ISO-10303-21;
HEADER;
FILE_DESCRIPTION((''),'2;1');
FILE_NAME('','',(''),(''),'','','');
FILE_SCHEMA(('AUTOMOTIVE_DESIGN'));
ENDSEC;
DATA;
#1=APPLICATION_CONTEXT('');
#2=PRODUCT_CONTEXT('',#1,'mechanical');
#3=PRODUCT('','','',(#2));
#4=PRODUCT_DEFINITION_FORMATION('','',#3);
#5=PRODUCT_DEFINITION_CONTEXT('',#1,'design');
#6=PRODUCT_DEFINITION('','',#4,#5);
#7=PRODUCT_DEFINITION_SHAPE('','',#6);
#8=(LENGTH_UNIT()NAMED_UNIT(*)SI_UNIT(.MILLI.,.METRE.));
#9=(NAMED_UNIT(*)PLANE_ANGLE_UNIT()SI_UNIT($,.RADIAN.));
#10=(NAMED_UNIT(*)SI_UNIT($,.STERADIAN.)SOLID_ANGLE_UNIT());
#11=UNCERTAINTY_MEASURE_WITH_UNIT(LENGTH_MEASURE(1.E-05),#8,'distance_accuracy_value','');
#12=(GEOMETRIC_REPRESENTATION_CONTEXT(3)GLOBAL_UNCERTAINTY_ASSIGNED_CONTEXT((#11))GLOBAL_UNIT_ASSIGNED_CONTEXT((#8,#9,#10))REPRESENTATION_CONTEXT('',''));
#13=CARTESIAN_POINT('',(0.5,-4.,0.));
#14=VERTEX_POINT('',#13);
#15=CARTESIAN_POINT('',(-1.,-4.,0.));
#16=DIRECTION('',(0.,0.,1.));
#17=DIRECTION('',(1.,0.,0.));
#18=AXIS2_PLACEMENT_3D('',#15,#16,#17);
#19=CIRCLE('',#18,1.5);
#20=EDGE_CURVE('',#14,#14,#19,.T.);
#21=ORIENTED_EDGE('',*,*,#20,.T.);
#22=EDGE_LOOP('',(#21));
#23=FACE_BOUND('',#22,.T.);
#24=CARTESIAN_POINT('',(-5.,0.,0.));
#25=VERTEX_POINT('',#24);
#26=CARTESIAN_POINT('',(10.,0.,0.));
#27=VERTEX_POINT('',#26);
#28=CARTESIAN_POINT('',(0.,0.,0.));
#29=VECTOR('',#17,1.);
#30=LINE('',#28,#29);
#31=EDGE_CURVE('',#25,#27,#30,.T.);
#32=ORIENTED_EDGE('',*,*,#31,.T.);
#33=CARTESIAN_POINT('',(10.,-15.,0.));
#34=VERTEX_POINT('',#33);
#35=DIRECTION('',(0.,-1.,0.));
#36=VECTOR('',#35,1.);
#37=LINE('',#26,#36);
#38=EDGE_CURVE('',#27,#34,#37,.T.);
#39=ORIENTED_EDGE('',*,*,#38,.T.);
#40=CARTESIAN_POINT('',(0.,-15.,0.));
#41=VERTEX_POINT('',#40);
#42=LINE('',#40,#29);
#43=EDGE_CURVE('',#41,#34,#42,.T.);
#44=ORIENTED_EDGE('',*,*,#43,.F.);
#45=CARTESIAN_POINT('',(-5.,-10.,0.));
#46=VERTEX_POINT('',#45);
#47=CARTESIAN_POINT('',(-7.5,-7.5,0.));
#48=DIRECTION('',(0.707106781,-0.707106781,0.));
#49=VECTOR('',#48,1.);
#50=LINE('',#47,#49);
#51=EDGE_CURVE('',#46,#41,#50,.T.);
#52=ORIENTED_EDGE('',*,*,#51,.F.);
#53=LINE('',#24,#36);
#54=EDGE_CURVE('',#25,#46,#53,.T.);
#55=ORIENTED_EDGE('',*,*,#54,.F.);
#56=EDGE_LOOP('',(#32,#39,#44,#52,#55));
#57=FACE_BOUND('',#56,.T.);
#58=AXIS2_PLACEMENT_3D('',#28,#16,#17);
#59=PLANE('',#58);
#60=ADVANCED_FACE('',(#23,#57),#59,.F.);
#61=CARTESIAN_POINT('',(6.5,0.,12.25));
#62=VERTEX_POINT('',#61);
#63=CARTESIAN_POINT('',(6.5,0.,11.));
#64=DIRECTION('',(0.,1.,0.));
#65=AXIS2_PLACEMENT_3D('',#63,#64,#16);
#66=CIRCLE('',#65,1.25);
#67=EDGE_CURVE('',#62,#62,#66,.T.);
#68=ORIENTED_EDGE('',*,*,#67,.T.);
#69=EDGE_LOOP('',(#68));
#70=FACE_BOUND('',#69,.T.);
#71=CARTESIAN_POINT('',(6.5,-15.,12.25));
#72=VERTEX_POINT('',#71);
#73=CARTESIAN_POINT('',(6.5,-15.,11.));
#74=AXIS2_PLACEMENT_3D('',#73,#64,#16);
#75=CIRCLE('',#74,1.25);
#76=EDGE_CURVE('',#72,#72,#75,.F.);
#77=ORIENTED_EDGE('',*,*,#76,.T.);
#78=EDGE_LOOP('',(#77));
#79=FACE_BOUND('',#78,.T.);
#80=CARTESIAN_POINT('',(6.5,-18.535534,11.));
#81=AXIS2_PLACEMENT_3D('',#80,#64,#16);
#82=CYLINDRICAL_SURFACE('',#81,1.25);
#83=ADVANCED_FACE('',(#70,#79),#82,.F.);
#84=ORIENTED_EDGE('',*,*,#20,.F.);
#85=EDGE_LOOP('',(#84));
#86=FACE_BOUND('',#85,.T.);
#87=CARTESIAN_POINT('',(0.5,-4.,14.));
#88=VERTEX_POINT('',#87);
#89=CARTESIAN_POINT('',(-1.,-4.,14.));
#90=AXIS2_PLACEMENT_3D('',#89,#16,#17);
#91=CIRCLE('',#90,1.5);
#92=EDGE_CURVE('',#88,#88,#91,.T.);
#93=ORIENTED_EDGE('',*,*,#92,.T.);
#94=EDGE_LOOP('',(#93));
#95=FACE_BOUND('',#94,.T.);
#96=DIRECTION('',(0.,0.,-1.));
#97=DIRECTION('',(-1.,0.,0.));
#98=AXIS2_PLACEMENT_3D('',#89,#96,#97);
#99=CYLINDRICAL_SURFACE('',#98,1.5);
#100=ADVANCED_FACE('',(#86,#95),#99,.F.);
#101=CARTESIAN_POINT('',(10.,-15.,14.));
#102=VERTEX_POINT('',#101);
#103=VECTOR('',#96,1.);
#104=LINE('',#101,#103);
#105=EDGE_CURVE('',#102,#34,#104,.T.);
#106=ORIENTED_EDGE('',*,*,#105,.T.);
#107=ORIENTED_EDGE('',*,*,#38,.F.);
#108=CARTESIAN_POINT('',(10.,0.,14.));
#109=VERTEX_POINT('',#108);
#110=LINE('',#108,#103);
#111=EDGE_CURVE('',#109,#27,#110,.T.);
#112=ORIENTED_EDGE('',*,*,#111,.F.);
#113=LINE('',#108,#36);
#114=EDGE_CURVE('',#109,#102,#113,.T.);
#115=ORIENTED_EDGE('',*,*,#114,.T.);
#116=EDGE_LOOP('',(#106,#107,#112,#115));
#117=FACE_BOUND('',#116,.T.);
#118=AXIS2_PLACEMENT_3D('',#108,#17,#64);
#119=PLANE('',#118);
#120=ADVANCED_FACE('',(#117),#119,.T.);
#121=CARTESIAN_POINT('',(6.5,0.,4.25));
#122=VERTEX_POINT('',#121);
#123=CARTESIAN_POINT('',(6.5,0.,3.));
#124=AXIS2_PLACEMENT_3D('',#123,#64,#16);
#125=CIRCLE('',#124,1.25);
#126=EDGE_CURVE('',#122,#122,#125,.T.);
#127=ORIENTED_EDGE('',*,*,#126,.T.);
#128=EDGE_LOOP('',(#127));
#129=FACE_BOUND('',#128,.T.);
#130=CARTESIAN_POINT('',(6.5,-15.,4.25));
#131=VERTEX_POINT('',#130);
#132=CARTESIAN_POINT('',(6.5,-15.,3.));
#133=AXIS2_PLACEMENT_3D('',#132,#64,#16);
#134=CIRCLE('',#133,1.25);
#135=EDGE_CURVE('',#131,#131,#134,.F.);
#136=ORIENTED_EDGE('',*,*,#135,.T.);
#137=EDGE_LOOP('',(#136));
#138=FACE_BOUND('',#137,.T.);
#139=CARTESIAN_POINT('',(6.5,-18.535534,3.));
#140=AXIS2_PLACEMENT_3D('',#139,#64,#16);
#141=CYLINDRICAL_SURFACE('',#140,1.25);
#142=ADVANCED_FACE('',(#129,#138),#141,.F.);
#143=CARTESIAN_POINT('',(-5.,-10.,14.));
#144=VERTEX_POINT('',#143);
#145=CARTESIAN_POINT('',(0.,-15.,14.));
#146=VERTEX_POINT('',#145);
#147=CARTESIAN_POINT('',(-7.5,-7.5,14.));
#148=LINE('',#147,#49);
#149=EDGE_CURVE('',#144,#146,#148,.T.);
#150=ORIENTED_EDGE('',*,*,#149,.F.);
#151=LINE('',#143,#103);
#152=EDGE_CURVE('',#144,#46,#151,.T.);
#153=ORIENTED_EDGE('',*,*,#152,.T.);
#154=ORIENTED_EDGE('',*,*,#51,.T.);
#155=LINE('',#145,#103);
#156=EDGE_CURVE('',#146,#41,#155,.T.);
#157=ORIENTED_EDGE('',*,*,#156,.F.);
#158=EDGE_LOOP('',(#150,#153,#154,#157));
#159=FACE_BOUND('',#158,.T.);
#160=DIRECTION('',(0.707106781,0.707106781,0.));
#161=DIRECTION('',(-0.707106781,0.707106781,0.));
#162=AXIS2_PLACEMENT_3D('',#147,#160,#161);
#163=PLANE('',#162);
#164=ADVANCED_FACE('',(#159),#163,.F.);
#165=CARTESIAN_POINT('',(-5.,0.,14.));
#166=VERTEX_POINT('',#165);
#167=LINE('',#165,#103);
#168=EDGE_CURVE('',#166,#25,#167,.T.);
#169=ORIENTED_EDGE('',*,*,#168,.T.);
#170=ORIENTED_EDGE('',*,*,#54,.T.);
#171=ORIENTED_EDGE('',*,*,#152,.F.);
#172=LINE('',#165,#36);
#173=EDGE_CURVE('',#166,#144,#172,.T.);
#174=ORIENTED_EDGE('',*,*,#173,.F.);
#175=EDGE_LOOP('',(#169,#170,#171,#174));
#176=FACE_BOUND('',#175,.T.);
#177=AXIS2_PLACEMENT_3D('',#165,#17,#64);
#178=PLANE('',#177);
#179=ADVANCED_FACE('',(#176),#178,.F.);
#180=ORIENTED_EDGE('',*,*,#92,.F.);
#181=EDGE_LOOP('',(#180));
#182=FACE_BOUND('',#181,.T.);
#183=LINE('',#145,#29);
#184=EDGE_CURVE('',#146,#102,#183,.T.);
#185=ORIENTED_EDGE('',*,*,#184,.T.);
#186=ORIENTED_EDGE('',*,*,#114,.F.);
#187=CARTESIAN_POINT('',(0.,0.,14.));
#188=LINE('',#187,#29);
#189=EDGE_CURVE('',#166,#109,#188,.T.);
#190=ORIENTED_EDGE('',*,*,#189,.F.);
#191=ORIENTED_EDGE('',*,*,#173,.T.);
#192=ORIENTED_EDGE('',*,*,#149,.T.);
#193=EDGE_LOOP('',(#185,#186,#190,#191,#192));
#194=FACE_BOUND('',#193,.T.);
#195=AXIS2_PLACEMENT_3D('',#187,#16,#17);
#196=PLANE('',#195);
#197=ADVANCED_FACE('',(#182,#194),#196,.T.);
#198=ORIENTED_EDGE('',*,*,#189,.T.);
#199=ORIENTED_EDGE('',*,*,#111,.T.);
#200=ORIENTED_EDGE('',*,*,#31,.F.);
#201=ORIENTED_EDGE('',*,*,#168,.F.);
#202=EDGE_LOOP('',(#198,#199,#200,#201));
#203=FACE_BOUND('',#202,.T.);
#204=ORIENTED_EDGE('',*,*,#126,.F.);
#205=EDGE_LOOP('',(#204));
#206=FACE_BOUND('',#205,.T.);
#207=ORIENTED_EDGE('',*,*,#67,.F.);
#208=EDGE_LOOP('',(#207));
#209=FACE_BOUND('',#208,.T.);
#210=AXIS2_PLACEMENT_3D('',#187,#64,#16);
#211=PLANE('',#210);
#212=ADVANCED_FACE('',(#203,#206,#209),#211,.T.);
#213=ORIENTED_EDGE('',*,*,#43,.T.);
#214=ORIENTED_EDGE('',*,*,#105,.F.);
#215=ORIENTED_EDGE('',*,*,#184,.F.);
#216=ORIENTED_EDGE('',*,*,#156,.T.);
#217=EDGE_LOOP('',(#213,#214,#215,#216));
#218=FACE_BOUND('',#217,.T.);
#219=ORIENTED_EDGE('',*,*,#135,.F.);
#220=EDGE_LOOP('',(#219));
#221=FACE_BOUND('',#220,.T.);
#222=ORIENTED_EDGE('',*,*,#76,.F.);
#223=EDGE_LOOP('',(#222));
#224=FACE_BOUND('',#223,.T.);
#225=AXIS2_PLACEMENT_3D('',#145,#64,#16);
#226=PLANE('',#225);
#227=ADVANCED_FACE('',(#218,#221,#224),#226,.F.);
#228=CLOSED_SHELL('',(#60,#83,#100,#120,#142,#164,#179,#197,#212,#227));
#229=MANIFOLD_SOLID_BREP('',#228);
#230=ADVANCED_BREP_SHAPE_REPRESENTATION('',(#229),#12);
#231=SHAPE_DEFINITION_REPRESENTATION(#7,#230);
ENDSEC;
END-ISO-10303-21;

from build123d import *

# Parameters (mm, degrees)
SKETCH_1_R          = 1.5
EXTRUDE_1_DEPTH     = 14
SKETCH_2_R          = 1.25
CUT_EXTRUDE_1_DEPTH = 15


with BuildPart() as part:
    # 草图1 → 凸台-拉伸1 (new body)
    with BuildSketch(Plane.XY):
        Polygon((-5, -10), (0, -15), (10, -15), (10, 0), (-5, 0), align=None)
        with Locations((-1, -4)):
            Circle(SKETCH_1_R, mode=Mode.SUBTRACT)
    extrude(amount=EXTRUDE_1_DEPTH)

    # 草图2 → 切除-拉伸1 (cut)
    with BuildSketch(Plane(origin=(0, 0, 0), x_dir=(1, 0, 0), z_dir=(0, 1, 0))):
        with Locations(Location((6.5, -3, 0), (0, 0, 270))):
            Circle(SKETCH_2_R)
        with Locations(Location((6.5, -11, 0), (0, 0, 270))):
            Circle(SKETCH_2_R)
    extrude(amount=-CUT_EXTRUDE_1_DEPTH, mode=Mode.SUBTRACT)


solid = part.part
